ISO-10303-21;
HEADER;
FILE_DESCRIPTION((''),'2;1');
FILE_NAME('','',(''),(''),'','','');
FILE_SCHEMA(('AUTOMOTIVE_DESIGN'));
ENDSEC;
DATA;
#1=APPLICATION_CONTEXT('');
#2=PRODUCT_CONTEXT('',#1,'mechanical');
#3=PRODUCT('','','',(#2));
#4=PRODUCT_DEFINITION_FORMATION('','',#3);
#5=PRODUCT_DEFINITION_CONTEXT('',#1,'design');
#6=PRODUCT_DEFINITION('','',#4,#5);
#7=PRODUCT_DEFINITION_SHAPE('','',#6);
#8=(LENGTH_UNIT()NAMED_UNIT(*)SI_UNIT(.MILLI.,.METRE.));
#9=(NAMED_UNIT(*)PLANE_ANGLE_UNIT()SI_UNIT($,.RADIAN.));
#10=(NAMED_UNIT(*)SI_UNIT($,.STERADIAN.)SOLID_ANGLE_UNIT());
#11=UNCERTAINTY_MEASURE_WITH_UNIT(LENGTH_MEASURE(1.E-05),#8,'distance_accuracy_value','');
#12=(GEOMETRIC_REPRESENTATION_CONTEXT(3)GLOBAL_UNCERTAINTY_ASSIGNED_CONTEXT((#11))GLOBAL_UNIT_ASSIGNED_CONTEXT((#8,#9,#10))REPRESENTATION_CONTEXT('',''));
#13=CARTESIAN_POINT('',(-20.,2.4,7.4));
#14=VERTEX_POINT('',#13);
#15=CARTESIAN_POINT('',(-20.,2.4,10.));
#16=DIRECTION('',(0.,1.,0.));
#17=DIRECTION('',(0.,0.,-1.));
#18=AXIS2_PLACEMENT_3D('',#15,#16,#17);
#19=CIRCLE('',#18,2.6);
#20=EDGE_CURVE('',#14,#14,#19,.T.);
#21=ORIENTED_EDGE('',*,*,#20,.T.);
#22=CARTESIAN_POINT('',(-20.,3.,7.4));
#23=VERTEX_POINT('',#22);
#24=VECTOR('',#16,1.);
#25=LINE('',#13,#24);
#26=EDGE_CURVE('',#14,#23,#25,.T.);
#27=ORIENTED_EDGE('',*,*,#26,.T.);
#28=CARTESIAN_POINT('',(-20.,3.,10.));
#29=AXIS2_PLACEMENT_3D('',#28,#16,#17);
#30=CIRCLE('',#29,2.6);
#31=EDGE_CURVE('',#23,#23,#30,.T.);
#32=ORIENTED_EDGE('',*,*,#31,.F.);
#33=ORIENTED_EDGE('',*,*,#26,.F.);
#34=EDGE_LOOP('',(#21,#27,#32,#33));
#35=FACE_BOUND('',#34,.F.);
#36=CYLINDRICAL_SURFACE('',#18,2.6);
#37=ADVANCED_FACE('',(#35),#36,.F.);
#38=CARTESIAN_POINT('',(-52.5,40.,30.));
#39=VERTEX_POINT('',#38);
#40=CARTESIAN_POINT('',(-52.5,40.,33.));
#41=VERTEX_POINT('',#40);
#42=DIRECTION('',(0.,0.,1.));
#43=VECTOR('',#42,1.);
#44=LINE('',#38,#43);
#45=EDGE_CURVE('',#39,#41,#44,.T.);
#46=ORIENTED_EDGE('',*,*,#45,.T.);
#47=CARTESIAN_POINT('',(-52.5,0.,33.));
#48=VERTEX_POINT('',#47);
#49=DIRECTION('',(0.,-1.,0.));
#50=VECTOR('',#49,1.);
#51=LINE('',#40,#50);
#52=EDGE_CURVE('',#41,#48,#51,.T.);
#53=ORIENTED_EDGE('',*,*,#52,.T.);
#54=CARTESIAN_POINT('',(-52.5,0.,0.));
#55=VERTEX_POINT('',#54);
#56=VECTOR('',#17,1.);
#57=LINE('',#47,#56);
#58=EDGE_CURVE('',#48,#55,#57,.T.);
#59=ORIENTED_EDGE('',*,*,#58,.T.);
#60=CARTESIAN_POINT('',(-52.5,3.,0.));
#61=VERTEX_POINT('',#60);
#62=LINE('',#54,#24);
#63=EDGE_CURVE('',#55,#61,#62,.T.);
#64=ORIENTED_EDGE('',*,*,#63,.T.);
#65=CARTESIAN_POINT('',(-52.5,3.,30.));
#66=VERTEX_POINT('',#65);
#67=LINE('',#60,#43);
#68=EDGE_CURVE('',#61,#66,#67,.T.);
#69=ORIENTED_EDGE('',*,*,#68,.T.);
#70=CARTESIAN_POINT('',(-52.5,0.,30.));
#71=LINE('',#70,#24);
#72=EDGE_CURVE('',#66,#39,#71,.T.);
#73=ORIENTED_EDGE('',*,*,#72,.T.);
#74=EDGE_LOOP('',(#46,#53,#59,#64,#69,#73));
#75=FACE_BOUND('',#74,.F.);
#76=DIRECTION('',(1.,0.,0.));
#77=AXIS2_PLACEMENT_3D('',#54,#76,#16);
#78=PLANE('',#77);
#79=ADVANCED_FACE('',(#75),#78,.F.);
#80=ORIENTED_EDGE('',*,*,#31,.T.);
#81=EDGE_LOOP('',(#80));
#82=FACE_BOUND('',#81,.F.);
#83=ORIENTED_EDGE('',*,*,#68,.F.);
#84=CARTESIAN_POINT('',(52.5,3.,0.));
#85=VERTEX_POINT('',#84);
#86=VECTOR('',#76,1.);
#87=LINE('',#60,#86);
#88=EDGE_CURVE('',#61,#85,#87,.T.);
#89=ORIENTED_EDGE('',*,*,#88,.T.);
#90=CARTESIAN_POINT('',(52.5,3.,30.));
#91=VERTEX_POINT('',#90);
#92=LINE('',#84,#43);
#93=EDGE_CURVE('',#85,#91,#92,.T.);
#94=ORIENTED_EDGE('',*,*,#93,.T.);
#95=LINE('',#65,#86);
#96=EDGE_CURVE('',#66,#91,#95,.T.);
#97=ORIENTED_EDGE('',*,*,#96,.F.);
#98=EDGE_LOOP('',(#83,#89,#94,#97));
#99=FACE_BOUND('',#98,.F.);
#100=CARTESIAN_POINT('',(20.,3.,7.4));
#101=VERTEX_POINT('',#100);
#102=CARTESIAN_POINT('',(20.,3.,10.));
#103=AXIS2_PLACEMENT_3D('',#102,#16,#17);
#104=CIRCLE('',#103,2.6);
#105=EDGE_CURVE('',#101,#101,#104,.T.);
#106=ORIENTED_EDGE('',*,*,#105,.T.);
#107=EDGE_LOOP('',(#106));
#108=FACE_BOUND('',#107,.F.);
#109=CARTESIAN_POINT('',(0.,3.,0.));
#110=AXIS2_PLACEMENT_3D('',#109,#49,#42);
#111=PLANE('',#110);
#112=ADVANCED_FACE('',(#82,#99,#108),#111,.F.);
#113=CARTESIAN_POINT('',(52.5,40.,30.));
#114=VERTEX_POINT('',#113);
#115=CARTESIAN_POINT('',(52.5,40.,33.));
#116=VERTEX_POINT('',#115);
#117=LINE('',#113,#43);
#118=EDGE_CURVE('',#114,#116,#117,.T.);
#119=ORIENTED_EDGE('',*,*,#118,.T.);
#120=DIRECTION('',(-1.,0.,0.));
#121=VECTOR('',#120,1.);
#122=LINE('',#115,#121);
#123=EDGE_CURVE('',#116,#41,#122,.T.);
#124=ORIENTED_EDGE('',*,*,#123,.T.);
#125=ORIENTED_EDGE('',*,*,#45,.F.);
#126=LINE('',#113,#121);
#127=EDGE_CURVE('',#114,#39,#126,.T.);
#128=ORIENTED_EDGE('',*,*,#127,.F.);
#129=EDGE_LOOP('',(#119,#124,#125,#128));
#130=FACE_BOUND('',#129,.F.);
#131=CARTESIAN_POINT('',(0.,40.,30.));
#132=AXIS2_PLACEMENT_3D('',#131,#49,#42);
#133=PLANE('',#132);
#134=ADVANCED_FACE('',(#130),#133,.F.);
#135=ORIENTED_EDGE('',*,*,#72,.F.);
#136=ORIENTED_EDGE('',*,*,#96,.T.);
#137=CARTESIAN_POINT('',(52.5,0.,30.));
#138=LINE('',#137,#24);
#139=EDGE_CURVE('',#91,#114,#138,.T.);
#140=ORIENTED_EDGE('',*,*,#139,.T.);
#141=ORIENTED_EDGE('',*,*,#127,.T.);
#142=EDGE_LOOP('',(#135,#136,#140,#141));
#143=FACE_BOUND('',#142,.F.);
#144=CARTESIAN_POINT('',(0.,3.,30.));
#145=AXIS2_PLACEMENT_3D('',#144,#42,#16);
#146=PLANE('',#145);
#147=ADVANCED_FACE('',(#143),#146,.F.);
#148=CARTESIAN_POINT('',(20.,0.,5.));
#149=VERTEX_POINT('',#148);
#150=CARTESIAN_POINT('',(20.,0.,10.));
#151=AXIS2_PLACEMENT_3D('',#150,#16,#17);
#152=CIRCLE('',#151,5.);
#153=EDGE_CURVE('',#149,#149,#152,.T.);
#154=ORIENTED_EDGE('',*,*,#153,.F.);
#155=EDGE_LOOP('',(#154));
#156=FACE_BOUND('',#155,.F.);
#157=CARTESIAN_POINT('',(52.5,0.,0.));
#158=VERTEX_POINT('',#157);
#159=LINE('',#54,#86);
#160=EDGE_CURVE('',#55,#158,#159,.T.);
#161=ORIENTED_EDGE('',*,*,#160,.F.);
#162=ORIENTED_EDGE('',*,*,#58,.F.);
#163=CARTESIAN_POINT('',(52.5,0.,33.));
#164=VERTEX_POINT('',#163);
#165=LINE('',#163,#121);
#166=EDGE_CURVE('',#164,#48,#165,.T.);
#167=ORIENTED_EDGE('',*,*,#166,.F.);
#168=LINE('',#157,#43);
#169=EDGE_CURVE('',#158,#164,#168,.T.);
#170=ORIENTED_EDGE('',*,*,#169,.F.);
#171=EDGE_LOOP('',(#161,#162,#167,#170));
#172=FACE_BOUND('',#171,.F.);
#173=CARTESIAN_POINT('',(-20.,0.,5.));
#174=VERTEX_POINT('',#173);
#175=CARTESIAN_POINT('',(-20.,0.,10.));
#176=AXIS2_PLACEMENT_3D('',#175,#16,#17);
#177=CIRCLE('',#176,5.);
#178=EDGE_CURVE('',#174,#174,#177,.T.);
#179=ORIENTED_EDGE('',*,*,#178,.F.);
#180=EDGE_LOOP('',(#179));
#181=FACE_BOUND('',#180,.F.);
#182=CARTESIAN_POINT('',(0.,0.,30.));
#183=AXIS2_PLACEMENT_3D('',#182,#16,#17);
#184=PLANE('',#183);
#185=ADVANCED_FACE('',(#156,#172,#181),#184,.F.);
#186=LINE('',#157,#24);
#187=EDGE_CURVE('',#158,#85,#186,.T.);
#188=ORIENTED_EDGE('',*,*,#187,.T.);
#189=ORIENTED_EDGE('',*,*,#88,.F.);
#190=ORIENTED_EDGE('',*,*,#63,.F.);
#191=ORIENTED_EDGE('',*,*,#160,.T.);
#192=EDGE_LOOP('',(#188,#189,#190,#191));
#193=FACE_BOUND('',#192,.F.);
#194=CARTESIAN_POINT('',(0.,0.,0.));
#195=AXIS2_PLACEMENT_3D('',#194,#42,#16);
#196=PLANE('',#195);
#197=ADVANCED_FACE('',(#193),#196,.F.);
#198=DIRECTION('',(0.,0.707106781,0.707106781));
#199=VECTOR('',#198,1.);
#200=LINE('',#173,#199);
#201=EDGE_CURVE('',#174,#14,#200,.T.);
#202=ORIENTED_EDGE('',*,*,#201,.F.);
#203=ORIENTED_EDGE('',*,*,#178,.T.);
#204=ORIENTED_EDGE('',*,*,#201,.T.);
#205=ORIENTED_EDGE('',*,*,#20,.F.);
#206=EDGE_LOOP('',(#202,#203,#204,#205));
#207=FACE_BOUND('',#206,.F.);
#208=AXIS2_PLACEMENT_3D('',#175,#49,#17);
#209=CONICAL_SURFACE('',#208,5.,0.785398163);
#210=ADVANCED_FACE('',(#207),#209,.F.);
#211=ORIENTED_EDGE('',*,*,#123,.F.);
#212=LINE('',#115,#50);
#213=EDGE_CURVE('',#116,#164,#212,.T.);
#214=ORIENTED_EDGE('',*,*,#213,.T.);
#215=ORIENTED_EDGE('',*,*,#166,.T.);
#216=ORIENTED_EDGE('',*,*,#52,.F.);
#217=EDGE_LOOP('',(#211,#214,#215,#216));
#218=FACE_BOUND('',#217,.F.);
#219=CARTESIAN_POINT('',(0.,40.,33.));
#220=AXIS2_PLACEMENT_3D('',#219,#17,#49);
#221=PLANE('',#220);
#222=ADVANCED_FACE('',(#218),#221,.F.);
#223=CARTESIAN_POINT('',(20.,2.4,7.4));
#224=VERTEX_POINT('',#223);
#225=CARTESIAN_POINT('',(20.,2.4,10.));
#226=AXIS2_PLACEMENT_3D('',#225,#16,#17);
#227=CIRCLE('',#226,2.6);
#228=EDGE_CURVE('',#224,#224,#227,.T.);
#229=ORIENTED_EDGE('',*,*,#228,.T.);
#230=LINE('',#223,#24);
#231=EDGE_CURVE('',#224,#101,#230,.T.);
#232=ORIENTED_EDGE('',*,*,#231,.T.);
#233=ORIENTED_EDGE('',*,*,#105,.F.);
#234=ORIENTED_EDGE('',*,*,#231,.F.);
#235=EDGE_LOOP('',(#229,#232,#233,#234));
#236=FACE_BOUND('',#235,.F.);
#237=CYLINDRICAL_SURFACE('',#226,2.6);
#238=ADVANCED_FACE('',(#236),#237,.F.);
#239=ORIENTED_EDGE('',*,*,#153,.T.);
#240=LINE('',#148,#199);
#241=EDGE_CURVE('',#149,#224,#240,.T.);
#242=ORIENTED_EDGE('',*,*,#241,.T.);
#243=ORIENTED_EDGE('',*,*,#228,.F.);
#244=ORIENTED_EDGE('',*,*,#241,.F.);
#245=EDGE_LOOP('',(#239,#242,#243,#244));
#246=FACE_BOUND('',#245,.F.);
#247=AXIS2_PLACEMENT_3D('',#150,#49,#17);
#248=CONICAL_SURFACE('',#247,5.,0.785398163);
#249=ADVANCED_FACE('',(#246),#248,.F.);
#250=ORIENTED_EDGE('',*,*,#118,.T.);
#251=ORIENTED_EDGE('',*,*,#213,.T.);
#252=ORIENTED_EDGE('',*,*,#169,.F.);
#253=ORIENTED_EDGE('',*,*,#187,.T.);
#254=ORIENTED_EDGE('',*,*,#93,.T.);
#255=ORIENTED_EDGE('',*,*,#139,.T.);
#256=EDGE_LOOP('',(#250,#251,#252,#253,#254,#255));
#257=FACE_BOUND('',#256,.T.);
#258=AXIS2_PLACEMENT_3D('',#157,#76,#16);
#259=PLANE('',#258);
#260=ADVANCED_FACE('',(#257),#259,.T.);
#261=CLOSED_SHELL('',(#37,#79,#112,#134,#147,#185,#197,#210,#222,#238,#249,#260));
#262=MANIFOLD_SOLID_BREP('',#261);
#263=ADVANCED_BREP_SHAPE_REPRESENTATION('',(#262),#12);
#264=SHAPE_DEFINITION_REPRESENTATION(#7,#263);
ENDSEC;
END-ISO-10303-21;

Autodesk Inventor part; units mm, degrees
ref_plane "YZ Plane" through (0, 0, 0) normal (1, 0, 0) x (0, 1, 0)
ref_plane "XZ Plane" through (0, 0, 0) normal (0, 1, 0) x (-1, 0, 0)
ref_plane "XY Plane" through (0, 0, 0) normal (0, 0, 1) x (1, 0, 0)
sketch "Skizze1" plane through (0, 0, 0) normal (1, 0, 0) x (0, 1, 0)
  line L0 (0, 0) -> (3, 0)
  line L1 (3, 0) -> (3, 30)
  line L2 (3, 30) -> (0, 30)
  line L3 (0, 30) -> (0, 0)
  line L4 (0, 30) -> (40, 30)
  line L5 (40, 30) -> (40, 33)
  line L6 (40, 33) -> (0, 33)
  line L7 (0, 33) -> (0, 30)
  dimension "d1" = 3
  dimension "d2" = 30
  dimension "d3" = 40
  dimension "d4" = 3
extrude "Extrusion1" add sketch "Skizze1" along normal mid plane 105
sketch "Skizze2" plane through (-52.5, 0, 0) normal (0, -1, 0) x (1, 0, 0)
  line L0 (10.5897, 10) -> (79.1743, 10) construction
  line L1 (0, 0) -> (105, 0) construction
  line L2 (52.5, 0) -> (52.5, 22.0905) construction
  point P0 (32.5, 10)
  point P1 (72.5, 10)
  dimension "d7" = 10
  dimension "d8" = 20
hole "Bohrung1" at (-20, 0, 10) at (20, 0, 10) direction (0, 1, 0) diameter 5.2 end through all countersink diameter 10 countersink angle 90
equation "\"d5\" = Magazin_Breite"
equation "\"Magazin_Breite\" = 105"
properties part number "TS_Magazin_Begrenzung_int"
